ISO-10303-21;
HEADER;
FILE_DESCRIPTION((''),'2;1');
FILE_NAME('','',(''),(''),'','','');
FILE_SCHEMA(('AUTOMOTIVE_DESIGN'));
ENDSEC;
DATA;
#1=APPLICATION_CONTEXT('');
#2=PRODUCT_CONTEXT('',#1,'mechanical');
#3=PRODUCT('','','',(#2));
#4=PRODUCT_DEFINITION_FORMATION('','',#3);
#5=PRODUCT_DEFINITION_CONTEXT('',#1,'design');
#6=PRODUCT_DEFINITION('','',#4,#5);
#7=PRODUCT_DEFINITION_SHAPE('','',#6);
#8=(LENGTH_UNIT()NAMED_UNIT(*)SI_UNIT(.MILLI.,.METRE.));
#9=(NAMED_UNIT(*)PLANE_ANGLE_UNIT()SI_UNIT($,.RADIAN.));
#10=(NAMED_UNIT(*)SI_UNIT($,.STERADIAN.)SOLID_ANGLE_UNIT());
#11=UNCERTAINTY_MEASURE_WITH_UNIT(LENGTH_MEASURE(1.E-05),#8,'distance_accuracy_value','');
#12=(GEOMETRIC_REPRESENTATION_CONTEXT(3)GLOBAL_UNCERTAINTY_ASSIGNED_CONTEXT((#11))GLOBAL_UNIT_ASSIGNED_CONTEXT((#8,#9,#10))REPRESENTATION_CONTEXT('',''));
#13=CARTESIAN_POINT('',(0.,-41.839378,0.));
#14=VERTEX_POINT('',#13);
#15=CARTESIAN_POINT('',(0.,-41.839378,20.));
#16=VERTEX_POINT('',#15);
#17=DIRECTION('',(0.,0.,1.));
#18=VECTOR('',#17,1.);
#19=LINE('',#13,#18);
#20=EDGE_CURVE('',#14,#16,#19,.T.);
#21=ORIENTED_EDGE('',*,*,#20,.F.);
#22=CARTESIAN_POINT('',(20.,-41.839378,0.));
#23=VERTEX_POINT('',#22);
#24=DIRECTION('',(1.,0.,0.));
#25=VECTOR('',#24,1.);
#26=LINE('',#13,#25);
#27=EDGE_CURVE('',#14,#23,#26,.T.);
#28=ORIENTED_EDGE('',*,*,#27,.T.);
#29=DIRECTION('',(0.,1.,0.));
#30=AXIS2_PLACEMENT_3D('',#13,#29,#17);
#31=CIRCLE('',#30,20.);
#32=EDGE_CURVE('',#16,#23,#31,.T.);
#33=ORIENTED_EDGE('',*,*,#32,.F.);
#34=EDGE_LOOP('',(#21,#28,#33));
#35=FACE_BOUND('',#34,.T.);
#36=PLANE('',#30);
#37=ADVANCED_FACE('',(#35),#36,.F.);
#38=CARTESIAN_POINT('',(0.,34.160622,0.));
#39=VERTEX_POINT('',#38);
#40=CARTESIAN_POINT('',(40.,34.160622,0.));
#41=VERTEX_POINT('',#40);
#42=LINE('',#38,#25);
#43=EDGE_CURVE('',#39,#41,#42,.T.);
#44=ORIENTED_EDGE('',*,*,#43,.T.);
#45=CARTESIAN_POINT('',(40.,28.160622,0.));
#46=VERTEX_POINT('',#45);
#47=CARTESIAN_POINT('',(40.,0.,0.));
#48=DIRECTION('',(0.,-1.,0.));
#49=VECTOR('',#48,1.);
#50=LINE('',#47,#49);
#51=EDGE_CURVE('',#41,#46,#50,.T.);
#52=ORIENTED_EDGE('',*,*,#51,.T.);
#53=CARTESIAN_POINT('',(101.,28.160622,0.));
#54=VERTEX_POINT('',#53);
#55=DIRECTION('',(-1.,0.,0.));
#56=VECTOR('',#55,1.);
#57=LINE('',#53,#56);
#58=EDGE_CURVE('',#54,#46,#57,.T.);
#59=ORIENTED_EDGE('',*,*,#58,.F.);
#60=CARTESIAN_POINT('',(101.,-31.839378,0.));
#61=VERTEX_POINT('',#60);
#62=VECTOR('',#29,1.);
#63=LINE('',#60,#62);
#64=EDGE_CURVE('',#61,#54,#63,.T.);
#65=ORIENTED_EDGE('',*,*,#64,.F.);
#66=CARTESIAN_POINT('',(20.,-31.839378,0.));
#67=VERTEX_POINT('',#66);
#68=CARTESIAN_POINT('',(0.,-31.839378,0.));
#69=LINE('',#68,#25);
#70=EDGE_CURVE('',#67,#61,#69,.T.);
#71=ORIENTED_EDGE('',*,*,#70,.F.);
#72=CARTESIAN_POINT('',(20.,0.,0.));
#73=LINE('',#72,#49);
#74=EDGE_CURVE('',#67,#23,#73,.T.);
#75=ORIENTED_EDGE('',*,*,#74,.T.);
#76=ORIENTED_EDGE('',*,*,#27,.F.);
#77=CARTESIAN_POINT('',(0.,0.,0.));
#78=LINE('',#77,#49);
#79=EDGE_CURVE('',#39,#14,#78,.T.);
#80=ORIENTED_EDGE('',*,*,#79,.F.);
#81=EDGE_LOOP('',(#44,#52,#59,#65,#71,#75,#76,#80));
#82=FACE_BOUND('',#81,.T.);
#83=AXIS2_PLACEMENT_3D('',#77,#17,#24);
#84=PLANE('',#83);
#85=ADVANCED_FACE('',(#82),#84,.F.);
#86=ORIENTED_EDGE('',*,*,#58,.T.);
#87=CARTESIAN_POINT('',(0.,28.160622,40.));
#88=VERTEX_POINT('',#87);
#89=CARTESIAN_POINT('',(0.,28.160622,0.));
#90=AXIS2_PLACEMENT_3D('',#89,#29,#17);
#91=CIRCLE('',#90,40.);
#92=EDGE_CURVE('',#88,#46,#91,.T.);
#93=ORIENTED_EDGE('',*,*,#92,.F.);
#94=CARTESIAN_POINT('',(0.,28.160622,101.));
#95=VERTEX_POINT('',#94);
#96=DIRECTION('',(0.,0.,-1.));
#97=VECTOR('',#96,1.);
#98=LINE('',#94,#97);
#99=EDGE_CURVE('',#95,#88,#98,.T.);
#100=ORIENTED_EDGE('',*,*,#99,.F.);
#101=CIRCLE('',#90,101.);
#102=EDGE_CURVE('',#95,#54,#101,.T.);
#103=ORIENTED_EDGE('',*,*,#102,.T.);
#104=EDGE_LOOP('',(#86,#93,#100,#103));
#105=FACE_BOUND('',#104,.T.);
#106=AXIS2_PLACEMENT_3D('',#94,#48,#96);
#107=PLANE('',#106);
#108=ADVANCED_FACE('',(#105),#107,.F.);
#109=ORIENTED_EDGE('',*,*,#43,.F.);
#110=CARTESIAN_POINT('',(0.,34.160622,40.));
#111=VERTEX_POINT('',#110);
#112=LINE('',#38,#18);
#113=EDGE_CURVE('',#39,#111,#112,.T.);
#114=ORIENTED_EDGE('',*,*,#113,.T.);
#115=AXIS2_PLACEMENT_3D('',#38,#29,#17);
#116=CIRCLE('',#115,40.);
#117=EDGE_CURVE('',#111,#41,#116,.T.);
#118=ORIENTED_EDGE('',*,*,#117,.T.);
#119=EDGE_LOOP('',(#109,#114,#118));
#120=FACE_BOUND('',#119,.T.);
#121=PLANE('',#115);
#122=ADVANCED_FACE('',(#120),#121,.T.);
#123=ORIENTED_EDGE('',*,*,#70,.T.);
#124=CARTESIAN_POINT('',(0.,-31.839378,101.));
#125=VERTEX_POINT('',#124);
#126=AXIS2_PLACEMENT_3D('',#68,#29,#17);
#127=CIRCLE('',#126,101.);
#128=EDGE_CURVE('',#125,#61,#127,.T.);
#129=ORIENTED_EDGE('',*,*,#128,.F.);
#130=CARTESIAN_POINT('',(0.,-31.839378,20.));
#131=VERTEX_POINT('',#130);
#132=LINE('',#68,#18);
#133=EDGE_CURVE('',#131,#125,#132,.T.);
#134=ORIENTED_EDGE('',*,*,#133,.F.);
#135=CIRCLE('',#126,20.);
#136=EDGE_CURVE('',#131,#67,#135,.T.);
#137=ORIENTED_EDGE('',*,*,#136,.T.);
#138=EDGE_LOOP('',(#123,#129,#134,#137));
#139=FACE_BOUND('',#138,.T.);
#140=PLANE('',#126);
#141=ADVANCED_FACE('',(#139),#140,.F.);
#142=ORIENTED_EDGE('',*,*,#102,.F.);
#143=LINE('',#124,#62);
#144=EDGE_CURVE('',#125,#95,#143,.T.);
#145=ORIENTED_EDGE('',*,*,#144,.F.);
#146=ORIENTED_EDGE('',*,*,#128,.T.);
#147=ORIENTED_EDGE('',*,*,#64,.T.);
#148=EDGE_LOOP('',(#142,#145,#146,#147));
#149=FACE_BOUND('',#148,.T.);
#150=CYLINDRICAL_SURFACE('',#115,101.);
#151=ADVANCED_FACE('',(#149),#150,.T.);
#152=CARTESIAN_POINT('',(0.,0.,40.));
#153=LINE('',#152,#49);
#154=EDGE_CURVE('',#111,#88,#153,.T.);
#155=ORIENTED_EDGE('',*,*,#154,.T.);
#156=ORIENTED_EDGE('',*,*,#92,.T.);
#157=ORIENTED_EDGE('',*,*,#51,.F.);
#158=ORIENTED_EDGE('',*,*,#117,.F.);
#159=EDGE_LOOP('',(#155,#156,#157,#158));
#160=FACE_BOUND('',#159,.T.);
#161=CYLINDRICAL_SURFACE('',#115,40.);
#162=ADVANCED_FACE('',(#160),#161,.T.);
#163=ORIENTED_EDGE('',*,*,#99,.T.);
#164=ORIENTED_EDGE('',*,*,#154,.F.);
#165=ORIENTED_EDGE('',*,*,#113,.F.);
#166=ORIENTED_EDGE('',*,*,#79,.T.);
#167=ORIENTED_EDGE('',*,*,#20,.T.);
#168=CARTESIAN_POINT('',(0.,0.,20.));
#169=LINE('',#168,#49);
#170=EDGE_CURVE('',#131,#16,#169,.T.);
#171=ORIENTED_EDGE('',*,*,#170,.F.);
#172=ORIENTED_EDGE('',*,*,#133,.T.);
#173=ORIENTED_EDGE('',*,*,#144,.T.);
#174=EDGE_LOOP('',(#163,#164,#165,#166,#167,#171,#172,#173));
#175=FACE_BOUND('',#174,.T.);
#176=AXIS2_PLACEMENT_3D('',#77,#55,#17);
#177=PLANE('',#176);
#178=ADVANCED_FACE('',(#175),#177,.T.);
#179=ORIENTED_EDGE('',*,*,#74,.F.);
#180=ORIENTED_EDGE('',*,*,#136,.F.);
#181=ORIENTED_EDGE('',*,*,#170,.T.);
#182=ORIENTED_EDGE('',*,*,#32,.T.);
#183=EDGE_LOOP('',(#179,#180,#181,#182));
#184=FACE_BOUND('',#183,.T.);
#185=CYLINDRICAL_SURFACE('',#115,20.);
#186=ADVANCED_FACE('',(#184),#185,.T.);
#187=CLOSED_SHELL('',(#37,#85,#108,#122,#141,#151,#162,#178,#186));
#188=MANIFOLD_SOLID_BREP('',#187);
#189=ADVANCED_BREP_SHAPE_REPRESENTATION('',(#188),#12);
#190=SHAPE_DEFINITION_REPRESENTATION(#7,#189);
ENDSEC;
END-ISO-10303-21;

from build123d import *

# Parameters (mm, degrees)
SKETCH1_W      = 30
SKETCH1_H      = 40
SKETCH1_W_2    = 50
REVOLVE8_ANGLE = 90


with BuildPart() as part:
    # Sketch1 → Revolve8 (revolve)
    with BuildSketch(Plane.XY):
        Polygon((40, 34.160621762), (0, 34.160621762), (0, -41.839378238), (20, -41.839378238), (20, -31.839378238), (20, 29.160621762), (40, 29.160621762), align=None)
        Polygon((40, 28.160621762), (40, 29.160621762), (20, 29.160621762), (20, -31.839378238), (21, -31.839378238), (21, -21.839378238), (21, 18.160621762), (21, 28.160621762), align=None)
        Polygon((101, 28.160621762), (40, 28.160621762), (21, 28.160621762), (21, 18.160621762), (51, 18.160621762), (101, 18.160621762), align=None)
        Polygon((21, -21.839378238), (21, -31.839378238), (101, -31.839378238), (101, -21.839378238), (51, -21.839378238), align=None)
        with Locations((36, -1.839378238)):
            Rectangle(SKETCH1_W, SKETCH1_H)
        with Locations((76, -1.839378238)):
            Rectangle(SKETCH1_W_2, SKETCH1_H)
    revolve(axis=Axis((0, 34.160621762, 0), (0, -1, 0)), revolution_arc=REVOLVE8_ANGLE)


solid = part.part
